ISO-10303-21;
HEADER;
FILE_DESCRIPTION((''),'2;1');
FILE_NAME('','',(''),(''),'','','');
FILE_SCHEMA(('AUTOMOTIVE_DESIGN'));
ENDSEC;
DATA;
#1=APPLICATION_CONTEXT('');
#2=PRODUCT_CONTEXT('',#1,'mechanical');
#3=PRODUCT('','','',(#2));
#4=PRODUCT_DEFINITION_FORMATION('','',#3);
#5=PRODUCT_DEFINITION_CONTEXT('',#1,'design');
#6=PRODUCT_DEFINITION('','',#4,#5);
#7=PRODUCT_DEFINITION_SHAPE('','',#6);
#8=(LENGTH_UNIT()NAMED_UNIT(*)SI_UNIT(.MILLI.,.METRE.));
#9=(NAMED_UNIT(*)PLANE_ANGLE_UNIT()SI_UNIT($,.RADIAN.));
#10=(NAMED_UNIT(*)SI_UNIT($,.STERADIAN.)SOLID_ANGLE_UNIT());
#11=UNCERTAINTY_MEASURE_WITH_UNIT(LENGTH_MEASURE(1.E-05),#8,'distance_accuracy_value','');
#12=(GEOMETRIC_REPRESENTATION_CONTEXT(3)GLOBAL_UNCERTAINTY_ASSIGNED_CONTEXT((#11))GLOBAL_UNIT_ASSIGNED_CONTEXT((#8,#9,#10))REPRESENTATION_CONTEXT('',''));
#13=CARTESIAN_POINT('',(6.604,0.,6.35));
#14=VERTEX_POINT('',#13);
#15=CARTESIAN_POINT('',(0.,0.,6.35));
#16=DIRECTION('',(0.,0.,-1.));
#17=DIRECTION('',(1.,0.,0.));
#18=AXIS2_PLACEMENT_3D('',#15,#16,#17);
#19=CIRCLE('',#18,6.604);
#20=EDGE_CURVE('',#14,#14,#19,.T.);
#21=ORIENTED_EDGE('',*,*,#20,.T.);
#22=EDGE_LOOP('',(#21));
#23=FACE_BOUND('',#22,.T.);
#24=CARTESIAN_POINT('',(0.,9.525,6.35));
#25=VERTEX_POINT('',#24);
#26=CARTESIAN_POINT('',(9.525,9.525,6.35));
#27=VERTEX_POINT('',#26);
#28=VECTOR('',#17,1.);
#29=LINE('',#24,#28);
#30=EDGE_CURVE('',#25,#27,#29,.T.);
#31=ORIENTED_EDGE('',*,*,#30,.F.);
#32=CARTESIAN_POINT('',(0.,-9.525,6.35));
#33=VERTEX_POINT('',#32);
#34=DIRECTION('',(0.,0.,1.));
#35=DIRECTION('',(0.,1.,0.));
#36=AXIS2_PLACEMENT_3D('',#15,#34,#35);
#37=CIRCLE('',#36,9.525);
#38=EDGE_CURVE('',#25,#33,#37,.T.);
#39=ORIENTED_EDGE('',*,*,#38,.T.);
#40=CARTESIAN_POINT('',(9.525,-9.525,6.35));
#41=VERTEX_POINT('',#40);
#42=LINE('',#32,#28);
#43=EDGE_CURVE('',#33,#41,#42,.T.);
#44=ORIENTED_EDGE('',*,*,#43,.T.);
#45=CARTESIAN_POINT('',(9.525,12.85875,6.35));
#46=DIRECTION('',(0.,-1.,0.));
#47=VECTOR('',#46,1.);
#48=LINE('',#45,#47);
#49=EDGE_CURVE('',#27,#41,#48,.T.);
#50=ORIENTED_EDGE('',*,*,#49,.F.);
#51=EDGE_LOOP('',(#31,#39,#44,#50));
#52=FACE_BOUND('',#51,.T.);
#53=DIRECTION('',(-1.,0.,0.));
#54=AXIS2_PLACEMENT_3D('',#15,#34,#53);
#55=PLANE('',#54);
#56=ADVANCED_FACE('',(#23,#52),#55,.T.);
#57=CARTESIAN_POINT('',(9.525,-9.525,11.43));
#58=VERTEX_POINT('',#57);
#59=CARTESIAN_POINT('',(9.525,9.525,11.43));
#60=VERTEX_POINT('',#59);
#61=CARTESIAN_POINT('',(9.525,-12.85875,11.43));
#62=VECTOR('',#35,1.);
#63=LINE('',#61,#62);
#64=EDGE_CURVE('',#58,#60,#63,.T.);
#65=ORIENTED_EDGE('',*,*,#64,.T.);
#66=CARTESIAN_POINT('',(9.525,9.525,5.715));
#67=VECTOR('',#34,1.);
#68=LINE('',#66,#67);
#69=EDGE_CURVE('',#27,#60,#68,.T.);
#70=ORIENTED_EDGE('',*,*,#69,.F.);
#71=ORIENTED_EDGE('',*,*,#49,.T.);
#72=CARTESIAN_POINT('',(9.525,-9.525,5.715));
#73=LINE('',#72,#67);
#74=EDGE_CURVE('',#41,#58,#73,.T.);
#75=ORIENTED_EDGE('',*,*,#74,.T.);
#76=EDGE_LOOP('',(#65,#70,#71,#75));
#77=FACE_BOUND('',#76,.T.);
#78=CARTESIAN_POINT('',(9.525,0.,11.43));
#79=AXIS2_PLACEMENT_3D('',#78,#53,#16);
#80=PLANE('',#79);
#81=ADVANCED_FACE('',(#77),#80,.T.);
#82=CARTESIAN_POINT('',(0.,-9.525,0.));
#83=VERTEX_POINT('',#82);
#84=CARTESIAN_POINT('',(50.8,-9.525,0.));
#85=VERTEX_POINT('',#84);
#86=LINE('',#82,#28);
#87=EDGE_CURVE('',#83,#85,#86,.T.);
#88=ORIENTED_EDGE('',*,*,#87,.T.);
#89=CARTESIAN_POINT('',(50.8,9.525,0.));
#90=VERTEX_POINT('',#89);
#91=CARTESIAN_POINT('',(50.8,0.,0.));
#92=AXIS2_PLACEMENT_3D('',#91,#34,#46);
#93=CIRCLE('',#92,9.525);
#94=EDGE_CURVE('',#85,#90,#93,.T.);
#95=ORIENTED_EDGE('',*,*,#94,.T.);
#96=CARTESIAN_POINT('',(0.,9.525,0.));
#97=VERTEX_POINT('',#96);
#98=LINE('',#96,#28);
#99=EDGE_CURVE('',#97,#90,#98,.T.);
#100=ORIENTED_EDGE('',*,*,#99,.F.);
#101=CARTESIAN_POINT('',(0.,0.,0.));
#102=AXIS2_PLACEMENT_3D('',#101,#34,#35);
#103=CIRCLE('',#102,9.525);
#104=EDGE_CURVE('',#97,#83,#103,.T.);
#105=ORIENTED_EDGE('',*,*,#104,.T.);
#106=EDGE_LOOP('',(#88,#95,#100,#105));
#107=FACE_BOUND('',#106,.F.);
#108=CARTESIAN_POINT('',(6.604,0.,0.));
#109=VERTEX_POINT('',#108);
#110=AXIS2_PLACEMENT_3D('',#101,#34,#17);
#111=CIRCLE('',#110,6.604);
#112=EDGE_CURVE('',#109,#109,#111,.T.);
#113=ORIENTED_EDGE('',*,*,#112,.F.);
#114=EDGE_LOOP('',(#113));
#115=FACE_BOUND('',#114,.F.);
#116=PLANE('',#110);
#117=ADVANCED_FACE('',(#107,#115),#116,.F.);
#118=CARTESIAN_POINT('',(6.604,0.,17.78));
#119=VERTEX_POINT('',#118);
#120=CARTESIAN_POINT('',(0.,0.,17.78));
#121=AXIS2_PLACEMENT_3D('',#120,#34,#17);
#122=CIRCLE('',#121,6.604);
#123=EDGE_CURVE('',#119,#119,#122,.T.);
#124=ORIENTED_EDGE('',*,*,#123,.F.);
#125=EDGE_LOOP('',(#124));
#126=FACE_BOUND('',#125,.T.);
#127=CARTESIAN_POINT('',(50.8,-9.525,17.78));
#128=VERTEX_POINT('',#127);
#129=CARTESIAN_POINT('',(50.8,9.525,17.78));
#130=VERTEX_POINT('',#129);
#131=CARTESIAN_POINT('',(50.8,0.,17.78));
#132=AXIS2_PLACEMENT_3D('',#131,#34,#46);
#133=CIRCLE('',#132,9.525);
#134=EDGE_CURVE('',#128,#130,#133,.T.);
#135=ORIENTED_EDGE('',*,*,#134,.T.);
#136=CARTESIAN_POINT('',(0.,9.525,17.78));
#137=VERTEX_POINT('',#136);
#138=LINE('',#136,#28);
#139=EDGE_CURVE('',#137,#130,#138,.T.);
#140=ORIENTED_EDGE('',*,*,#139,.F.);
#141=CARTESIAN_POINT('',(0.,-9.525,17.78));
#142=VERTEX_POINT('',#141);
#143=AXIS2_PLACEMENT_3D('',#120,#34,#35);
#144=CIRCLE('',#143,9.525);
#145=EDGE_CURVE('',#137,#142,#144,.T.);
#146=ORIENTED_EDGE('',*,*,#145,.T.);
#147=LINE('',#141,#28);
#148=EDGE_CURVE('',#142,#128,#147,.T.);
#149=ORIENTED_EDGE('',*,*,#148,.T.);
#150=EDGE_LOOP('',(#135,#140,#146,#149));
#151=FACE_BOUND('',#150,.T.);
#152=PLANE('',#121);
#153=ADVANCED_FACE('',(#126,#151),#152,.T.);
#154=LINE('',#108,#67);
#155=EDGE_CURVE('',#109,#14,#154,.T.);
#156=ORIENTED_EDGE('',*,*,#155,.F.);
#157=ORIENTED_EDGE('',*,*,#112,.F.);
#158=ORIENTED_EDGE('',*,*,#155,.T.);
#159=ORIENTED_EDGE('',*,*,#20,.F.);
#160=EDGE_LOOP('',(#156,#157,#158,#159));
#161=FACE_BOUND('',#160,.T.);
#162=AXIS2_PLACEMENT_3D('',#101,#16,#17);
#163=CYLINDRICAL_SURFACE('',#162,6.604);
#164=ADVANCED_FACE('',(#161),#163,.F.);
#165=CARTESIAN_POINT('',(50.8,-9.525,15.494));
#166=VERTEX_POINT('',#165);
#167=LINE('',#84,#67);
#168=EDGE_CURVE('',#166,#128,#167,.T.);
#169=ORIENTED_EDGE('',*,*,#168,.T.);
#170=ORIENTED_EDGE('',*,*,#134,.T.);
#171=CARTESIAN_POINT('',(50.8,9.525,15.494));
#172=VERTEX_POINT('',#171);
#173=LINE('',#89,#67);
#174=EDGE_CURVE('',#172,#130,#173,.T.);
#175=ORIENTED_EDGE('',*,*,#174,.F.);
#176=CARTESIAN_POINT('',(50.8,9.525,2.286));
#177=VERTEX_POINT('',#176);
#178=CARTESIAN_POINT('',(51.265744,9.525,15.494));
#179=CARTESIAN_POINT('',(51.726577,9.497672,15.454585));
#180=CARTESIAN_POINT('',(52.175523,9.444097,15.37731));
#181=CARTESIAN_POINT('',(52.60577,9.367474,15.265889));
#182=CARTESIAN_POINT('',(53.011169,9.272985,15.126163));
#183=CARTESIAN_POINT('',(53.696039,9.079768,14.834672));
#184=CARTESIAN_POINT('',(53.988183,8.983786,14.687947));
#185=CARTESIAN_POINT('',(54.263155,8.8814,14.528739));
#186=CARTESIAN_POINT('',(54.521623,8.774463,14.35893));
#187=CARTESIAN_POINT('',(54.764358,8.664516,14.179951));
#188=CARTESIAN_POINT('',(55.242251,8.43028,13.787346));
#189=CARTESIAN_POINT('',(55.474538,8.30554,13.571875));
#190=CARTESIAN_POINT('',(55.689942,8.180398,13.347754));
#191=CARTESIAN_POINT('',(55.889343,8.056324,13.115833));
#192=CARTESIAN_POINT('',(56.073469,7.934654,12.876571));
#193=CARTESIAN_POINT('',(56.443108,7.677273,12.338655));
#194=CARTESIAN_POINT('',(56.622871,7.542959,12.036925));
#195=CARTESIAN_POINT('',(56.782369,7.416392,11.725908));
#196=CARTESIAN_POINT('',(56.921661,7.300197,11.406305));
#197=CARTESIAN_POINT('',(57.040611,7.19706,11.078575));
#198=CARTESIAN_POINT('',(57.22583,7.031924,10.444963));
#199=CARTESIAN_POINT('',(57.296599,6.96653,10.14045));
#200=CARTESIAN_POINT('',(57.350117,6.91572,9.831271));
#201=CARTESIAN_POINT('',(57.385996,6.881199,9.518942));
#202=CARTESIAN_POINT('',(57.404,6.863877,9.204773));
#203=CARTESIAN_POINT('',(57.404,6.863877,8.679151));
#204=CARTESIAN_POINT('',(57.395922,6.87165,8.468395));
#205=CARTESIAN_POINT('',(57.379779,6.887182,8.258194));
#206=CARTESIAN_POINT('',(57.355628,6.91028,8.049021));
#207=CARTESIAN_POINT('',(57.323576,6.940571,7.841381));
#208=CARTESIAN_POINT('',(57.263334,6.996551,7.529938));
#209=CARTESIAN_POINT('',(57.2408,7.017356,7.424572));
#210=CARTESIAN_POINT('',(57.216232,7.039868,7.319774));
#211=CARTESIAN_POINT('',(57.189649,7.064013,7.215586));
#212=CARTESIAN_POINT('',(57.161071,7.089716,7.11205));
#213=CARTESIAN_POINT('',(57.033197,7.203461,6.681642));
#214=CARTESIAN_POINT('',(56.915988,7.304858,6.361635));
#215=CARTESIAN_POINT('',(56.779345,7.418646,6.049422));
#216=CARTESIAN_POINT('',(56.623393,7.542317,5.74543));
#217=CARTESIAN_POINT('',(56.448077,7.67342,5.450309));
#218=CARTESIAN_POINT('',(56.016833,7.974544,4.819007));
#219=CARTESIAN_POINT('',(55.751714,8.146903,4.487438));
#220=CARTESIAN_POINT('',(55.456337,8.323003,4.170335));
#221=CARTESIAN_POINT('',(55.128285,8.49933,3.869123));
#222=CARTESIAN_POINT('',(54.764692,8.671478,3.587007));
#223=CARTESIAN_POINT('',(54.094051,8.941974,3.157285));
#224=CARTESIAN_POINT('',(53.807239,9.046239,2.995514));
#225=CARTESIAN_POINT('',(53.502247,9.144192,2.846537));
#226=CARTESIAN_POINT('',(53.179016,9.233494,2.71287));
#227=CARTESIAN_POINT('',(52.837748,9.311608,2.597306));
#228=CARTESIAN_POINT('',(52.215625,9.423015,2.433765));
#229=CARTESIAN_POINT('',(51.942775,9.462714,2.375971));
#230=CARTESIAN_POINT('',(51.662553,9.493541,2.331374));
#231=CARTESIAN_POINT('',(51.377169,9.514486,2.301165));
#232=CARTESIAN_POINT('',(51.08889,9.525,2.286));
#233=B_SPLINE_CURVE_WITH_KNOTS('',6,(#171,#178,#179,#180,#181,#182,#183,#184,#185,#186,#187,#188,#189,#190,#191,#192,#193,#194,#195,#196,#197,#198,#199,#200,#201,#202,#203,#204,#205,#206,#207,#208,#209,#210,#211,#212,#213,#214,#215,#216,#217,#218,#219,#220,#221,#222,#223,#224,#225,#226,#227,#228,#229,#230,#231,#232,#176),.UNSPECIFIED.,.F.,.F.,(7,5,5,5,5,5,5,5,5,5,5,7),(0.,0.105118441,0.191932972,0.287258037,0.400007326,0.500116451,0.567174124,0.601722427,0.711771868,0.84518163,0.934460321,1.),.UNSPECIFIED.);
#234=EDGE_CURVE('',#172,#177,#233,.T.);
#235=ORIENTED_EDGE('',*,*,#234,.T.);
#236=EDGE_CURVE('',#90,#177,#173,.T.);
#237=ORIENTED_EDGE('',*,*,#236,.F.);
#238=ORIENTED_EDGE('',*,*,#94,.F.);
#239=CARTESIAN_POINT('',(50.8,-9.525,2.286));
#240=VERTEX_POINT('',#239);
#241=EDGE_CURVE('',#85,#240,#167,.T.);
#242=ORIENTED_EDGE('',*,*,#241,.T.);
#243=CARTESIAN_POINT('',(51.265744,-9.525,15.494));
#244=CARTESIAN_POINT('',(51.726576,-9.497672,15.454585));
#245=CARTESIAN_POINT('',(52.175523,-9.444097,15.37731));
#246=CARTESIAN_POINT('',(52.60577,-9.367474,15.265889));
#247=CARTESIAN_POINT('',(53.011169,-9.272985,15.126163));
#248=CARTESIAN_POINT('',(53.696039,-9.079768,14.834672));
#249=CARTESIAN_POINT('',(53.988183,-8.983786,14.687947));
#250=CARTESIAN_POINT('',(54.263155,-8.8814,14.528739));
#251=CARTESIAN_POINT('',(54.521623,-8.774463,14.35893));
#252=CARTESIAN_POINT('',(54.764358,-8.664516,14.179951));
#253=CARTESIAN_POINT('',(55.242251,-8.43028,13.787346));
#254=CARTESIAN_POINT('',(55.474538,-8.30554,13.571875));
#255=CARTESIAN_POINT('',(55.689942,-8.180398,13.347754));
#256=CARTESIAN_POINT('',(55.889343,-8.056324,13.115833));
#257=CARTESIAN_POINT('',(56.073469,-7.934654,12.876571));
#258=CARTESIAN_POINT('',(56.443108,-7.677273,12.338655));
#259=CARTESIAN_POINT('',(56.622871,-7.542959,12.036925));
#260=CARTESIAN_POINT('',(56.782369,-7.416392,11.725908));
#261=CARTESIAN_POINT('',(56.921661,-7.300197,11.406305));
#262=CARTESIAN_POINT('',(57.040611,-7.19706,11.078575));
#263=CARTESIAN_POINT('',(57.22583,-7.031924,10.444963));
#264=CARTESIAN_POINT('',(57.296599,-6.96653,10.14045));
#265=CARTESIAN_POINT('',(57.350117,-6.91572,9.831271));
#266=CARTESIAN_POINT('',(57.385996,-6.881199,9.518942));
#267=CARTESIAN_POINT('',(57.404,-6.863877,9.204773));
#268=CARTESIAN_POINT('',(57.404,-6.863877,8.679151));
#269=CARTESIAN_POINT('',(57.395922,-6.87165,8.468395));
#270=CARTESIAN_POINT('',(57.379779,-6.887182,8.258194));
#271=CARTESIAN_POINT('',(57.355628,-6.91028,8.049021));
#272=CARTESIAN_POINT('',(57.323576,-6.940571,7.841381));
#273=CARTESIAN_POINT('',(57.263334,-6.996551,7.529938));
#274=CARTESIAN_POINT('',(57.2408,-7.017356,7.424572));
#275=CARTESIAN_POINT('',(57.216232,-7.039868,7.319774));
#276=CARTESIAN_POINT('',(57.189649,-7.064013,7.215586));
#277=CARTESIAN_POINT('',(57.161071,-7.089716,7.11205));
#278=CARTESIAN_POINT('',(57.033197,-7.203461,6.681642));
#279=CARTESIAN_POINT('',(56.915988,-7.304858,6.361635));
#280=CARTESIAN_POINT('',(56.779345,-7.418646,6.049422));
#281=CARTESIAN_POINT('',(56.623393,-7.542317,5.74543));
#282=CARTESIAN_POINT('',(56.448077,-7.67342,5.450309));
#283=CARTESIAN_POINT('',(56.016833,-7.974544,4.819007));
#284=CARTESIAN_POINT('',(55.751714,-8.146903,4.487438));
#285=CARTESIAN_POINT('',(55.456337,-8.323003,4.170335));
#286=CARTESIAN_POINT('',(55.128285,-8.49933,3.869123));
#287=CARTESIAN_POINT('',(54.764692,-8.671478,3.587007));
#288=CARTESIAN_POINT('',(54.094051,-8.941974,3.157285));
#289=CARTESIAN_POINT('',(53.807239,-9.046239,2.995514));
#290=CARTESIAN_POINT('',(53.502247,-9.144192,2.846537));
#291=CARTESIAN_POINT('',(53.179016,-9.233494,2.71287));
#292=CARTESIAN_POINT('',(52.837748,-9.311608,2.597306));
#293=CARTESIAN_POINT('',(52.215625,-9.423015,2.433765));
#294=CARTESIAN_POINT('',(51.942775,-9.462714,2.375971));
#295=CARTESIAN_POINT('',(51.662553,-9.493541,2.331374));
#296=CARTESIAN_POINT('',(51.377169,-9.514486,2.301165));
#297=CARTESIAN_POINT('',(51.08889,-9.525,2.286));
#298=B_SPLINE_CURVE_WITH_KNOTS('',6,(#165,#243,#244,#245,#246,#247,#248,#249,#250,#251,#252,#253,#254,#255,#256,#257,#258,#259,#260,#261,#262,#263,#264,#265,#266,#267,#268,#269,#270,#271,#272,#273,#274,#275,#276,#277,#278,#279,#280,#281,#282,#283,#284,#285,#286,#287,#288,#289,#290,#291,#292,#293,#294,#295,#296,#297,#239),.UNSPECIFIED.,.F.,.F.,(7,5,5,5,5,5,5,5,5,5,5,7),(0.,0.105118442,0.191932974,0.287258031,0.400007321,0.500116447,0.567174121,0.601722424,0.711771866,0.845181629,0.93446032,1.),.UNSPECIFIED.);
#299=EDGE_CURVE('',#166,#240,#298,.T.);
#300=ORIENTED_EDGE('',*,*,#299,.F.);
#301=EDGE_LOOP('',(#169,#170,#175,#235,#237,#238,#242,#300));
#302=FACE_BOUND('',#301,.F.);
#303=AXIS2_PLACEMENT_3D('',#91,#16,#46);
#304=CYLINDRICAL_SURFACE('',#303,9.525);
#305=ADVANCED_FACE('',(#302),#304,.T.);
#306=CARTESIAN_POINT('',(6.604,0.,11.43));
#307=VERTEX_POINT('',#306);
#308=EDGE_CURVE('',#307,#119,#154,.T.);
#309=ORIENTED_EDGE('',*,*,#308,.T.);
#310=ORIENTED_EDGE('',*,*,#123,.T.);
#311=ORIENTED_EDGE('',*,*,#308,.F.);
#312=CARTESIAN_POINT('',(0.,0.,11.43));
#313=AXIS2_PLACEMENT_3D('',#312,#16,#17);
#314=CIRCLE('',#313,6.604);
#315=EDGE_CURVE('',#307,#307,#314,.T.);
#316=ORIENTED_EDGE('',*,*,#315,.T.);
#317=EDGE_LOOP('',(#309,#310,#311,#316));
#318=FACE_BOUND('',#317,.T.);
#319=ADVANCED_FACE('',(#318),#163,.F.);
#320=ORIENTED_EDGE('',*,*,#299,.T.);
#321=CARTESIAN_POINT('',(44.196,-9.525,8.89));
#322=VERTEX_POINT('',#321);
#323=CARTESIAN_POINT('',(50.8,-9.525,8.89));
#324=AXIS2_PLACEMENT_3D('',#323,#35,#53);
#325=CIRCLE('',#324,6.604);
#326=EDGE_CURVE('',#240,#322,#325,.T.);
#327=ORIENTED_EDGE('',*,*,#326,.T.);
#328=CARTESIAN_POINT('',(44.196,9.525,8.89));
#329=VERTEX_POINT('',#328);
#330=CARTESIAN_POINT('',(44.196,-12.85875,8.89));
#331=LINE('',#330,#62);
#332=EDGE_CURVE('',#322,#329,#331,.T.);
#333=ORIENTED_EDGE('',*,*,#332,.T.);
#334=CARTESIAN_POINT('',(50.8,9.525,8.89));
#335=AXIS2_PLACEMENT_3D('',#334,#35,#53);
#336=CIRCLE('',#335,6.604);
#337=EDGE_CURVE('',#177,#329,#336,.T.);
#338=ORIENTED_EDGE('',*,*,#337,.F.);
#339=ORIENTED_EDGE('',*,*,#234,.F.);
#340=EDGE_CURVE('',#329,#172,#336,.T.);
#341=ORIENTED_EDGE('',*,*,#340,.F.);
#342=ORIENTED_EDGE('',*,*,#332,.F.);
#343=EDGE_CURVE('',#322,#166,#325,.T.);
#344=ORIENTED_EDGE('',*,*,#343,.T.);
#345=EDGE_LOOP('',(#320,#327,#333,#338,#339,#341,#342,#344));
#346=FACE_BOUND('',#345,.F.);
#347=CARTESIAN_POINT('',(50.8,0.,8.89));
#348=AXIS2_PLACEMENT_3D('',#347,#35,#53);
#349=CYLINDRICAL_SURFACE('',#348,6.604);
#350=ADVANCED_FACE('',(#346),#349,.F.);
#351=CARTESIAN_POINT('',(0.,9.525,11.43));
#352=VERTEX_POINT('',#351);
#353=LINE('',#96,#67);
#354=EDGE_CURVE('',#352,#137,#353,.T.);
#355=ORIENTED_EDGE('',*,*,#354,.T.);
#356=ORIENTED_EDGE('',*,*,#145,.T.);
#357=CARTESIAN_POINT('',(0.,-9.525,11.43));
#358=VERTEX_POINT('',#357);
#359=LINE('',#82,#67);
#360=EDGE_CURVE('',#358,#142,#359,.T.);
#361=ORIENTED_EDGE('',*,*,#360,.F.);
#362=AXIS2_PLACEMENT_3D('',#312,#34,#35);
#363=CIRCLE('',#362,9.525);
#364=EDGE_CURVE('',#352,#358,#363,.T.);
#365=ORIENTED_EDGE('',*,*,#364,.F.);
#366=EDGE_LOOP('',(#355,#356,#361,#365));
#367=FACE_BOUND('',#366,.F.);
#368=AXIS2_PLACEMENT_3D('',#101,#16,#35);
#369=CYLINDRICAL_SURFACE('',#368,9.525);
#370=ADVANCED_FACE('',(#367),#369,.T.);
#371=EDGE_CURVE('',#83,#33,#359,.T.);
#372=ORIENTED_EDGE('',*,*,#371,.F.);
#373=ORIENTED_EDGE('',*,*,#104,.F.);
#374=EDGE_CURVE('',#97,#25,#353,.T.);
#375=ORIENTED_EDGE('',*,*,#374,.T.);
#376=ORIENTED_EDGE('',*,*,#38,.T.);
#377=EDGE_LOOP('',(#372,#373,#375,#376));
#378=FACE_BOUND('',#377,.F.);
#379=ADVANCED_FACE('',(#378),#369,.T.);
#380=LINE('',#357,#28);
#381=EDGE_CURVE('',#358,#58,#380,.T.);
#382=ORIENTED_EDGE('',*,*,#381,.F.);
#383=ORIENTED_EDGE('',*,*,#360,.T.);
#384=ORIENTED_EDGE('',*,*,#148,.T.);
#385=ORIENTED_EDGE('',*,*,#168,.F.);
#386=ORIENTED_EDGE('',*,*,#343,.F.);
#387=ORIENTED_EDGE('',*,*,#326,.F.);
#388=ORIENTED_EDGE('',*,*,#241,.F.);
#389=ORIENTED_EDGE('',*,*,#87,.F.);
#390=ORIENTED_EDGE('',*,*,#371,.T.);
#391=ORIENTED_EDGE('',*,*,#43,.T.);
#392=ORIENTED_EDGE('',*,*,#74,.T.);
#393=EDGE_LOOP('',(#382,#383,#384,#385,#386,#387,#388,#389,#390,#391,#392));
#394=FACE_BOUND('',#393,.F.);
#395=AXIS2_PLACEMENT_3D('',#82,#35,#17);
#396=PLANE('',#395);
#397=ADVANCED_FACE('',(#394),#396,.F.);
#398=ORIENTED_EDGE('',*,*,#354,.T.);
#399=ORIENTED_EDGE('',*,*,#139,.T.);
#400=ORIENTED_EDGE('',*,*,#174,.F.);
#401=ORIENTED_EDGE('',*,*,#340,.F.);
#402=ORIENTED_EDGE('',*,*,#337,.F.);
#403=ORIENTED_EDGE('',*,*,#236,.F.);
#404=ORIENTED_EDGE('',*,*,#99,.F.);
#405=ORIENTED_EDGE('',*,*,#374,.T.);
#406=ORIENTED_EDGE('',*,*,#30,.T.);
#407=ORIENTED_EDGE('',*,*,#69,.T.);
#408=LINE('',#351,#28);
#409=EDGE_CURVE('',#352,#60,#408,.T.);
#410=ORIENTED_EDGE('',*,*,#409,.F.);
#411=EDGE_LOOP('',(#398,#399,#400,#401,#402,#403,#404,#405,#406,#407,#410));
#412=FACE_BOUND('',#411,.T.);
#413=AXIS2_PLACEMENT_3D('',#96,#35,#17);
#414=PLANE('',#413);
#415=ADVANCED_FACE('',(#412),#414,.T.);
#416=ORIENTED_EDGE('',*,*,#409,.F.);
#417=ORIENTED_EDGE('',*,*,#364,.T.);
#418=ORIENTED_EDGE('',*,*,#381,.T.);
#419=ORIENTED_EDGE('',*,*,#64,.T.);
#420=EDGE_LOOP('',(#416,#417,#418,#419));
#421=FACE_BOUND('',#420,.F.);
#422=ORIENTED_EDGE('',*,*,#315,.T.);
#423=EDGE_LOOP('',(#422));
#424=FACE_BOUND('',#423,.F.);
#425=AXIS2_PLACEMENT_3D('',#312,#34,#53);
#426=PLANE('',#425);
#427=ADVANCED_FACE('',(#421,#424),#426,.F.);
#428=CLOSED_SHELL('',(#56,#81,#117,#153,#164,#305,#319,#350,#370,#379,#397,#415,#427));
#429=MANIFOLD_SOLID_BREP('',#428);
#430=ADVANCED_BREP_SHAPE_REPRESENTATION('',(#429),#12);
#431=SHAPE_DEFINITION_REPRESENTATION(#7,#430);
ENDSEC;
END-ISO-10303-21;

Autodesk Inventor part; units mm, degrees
ref_plane "YZ Plane" through (0, 0, 0) normal (1, 0, 0) x (0, 1, 0)
ref_plane "XZ Plane" through (0, 0, 0) normal (0, 1, 0) x (-1, 0, 0)
ref_plane "XY Plane" through (0, 0, 0) normal (0, 0, 1) x (1, 0, 0)
sketch "Sketch1" plane through (0, 0, 0) normal (0, 0, 1) x (1, 0, 0)
  circle A0 centre (0, 0) radius 6.604
  arc A1 (0, 9.525) -> (0, -9.525) centre (0, 0) ccw
  line L0 (0, 9.525) -> (50.8, 9.525)
  line L1 (0, -9.525) -> (50.8, -9.525)
  arc A2 (50.8, -9.525) -> (50.8, 9.525) centre (50.8, 0) ccw
  dimension "d0" = 13.208
  dimension "d1" = 19.05
  dimension "d2" = 50.8
  dimension "d3" = 50.8
  dimension "d4" = 19.05
extrude "Extrusion1" add sketch "Sketch1" along normal blind 17.78
sketch "Sketch2" plane through (0, 0, 0) normal (0, 1, 0) x (-1, 0, 0)
  line L0 (9.525, 17.78) -> (0, 17.78) projected
  line L1 (9.525, 17.78) -> (9.525, 0)
  line L2 (9.525, 0) -> (9.525, 17.78) projected
  line L3 (0, 0) -> (0, 17.78) projected
  line L4 (9.525, 8.89) -> (0, 8.89)
  line L5 (0, 8.89) -> (0, 6.35)
  line L6 (0, 6.35) -> (9.525, 6.35)
  line L7 (9.525, 6.35) -> (9.525, 8.89)
  line L8 (9.525, 8.89) -> (0, 8.89)
  line L9 (0, 8.89) -> (0, 11.43)
  line L10 (0, 11.43) -> (9.525, 11.43)
  line L11 (9.525, 11.43) -> (9.525, 8.89)
  line L12 (0, 6.35) -> (-10.1637, 6.35)
  line L13 (-10.1637, 6.35) -> (-10.1637, 11.43)
  line L14 (-10.1637, 11.43) -> (0, 11.43)
  line L15 (0, 11.43) -> (0, 6.35)
  line L16 (9.525, 11.43) -> (-9.525, 11.43)
  line L17 (-9.525, 11.43) -> (-9.525, 6.35)
  line L18 (-9.525, 6.35) -> (9.525, 6.35)
  line L19 (9.525, 6.35) -> (9.525, 11.43)
  dimension "d8" = 2.54
  dimension "d9" = 2.54
  dimension "d10" = 19.05
extrude "Extrusion2" cut sketch "Sketch2" along normal mid plane 25.7175 contours L1 L4 L3 L10 | L3 L12 L17 L14 | L1 L6 L3 L4
sketch "Sketch3" plane through (0, 0, 0) normal (0, 1, 0) x (-1, 0, 0)
  line L0 (-50.8, 0) -> (-50.8, 17.78) projected
  circle A0 centre (-50.8, 8.89) radius 6.604
  point P0 (0, 0)
  dimension "d13" = 13.208
extrude "Extrusion3" cut sketch "Sketch3" along normal mid plane 25.7175
properties part number "toplegV2"
